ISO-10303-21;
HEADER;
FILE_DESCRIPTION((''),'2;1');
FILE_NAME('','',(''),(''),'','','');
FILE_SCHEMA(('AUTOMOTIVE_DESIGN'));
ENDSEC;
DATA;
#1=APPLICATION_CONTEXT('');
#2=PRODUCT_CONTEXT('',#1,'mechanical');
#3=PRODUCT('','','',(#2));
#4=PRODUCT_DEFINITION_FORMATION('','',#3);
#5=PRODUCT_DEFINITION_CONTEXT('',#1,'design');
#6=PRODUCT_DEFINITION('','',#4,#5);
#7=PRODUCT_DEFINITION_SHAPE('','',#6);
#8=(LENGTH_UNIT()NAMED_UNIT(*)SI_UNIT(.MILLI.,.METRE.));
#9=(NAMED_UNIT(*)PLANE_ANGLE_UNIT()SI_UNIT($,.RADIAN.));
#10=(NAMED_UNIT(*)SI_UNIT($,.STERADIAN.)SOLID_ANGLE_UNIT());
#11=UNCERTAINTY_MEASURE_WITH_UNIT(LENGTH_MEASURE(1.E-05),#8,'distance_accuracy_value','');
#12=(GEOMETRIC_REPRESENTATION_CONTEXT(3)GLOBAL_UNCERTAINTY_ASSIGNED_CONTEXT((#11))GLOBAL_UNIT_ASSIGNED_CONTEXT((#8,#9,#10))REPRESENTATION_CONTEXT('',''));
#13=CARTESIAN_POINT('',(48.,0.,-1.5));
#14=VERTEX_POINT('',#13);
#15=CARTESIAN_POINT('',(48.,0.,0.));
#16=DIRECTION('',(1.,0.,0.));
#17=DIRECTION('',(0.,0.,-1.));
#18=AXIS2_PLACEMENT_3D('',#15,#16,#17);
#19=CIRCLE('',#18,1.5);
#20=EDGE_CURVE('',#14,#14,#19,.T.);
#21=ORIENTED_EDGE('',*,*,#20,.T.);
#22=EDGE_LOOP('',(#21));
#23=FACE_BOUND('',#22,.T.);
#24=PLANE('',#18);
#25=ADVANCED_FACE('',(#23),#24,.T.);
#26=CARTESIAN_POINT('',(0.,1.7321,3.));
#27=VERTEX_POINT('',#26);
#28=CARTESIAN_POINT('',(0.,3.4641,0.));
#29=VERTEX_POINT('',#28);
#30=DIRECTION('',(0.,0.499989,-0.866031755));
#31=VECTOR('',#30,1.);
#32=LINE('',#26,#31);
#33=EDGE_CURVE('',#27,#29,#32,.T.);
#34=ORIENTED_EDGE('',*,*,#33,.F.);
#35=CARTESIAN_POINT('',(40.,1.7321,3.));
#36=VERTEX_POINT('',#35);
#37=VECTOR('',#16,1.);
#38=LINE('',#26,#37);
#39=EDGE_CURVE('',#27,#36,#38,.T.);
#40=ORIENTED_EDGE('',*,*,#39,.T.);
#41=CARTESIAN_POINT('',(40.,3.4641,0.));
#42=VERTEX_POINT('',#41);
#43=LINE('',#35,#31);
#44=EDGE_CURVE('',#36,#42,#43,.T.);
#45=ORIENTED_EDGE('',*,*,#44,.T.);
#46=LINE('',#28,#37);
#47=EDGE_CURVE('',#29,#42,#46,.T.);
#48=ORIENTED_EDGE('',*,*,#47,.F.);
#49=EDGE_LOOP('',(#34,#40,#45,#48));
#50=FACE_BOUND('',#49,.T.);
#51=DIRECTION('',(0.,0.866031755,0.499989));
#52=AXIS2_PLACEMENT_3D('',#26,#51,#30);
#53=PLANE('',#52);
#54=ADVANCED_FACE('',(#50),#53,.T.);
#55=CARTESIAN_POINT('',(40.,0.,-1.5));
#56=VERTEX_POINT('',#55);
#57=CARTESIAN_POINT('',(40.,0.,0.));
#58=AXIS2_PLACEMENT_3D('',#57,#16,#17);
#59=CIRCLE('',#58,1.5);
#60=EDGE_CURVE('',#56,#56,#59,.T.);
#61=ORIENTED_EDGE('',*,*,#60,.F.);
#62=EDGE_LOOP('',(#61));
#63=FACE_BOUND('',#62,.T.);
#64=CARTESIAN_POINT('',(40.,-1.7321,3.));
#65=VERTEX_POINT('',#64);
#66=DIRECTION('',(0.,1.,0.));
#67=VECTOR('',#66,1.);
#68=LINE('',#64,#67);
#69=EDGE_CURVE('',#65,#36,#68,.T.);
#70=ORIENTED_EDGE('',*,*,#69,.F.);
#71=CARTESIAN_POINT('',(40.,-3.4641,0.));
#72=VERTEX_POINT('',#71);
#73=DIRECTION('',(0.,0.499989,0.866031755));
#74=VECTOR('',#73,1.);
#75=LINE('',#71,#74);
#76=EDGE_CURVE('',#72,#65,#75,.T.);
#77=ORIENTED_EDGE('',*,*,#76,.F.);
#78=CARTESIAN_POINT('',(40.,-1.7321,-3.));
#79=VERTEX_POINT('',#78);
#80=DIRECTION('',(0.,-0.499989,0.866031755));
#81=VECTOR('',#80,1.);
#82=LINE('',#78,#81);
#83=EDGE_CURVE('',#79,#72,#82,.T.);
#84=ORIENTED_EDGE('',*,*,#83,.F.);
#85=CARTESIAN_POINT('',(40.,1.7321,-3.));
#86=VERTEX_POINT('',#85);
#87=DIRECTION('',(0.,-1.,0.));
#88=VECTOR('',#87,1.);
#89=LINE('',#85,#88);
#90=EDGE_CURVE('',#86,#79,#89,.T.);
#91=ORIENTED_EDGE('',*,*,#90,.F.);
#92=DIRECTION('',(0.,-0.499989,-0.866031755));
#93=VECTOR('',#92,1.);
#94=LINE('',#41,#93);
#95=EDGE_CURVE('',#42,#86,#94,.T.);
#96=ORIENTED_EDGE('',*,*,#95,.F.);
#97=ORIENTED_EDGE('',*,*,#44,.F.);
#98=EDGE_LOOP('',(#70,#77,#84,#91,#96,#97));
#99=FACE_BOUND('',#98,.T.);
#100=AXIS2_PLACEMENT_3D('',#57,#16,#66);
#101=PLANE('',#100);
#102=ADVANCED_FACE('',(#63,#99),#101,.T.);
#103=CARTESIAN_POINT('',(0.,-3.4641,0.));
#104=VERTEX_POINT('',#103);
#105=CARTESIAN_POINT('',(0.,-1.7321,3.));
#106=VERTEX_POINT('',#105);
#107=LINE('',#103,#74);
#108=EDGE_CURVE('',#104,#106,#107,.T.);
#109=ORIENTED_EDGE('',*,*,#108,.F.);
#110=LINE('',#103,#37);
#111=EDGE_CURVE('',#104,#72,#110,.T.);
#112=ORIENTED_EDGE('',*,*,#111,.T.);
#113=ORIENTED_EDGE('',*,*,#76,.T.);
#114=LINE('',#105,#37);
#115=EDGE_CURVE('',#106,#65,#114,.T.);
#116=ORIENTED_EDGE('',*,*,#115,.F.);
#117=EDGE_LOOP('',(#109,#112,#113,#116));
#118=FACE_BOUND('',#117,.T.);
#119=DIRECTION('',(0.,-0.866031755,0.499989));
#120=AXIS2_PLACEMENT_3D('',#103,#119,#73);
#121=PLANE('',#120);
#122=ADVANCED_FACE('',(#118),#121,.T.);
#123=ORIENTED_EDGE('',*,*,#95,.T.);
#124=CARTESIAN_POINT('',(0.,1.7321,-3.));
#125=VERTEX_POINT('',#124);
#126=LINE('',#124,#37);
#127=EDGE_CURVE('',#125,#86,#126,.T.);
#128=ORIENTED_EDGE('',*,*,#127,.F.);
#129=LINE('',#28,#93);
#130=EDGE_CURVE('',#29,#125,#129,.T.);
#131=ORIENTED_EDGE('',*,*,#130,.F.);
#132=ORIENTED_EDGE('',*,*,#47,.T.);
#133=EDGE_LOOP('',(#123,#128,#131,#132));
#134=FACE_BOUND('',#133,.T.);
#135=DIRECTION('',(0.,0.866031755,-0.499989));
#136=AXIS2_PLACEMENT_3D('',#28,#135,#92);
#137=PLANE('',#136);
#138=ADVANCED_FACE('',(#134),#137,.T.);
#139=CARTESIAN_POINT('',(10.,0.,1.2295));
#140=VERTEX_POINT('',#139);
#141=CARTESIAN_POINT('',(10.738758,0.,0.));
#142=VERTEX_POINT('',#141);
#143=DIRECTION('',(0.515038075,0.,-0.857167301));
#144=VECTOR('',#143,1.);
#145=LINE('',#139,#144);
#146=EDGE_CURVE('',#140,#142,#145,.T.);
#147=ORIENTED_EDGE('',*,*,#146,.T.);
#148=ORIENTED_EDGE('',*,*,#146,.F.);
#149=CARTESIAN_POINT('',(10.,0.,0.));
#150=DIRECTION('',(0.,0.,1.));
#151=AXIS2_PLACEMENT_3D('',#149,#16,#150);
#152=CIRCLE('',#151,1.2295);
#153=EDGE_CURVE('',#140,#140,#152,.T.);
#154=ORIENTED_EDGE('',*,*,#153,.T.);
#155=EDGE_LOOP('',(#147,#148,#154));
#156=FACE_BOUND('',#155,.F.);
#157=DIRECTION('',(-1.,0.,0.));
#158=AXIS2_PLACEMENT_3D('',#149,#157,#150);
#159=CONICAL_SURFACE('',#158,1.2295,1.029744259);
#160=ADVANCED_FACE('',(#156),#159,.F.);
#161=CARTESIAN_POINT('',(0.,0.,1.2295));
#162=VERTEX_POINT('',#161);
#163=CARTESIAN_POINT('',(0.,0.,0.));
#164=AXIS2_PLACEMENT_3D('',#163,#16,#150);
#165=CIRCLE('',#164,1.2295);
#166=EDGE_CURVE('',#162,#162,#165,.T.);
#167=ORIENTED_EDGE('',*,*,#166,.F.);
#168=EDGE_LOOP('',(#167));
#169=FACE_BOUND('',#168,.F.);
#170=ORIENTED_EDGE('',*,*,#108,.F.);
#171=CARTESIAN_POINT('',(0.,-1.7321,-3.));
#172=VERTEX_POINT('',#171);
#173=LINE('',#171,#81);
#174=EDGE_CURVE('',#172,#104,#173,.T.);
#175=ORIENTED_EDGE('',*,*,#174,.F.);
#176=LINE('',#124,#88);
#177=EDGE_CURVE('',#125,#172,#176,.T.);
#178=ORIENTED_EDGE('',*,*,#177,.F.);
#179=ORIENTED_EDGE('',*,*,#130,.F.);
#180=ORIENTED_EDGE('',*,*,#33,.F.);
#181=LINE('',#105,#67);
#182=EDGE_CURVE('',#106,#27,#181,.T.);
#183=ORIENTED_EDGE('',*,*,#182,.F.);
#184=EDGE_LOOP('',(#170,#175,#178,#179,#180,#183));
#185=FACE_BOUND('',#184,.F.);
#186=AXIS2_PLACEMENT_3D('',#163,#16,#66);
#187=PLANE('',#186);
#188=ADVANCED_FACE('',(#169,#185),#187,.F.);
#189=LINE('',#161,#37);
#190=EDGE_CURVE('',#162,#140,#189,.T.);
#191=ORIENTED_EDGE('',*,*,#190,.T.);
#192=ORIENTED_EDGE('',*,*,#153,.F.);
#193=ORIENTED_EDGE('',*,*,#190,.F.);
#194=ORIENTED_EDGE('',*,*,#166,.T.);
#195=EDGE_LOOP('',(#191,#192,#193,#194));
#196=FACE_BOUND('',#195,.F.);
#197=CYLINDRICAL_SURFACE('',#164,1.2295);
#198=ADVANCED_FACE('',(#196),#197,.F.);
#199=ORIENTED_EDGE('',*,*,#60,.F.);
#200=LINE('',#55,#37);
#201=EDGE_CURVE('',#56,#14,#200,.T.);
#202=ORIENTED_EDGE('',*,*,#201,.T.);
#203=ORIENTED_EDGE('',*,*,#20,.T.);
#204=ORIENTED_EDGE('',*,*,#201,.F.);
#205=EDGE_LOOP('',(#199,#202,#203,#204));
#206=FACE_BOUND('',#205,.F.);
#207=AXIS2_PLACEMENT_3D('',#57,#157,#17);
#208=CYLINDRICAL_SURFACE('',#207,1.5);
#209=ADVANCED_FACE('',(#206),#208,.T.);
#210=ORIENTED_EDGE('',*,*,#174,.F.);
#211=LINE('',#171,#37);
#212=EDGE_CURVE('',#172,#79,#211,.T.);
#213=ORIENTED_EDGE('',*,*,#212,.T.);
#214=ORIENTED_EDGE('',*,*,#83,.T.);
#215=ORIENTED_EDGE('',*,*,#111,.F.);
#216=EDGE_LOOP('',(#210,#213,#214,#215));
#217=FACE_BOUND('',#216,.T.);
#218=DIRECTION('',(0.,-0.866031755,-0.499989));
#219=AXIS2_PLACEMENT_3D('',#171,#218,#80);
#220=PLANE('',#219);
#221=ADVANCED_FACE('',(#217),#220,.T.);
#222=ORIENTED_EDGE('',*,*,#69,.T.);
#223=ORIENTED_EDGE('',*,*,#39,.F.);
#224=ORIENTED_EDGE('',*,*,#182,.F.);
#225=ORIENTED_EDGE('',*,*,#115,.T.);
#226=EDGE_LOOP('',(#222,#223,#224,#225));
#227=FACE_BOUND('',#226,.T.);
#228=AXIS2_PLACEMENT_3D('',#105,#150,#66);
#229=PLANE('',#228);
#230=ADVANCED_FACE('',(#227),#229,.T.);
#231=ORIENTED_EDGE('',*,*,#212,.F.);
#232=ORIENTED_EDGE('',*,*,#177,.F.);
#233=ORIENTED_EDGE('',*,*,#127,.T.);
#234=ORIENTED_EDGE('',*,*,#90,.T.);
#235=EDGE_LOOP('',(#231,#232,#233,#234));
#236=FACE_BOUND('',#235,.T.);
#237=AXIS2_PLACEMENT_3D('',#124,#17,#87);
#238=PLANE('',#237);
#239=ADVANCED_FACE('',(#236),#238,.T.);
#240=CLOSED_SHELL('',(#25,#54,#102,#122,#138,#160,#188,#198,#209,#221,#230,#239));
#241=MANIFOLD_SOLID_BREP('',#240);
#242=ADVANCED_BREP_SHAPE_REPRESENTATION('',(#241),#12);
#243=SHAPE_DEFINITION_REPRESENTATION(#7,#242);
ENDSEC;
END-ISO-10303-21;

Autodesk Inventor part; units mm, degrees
ref_plane "YZ Plane" through (0, 0, 0) normal (1, 0, 0) x (0, 1, 0)
ref_plane "XZ Plane" through (0, 0, 0) normal (0, 1, 0) x (-1, 0, 0)
ref_plane "XY Plane" through (0, 0, 0) normal (0, 0, 1) x (1, 0, 0)
sketch "スケッチ1" plane through (0, 0, 0) normal (1, 0, 0) x (0, 1, 0)
  line L0 (1.7321, -3) -> (-1.7321, -3)
  line L1 (-1.7321, -3) -> (-3.4641, 0)
  line L2 (-3.4641, 0) -> (-1.7321, 3)
  line L3 (-1.7321, 3) -> (1.7321, 3)
  line L4 (1.7321, 3) -> (3.4641, 0)
  line L5 (3.4641, 0) -> (1.7321, -3)
  point P0 (0, 0)
  point P1 (0, 0)
  dimension "d0" = 6
extrude "押し出し1" add sketch "スケッチ1" along normal blind 40
sketch "スケッチ2" plane through (40, 0, 0) normal (1, 0, 0) x (0, 0, -1)
  circle A0 centre (0, 0) radius 1.5
  dimension "d3" = 3
extrude "押し出し2" add sketch "スケッチ2" along normal blind 8
thread "ねじ1" size "M3x0.5" class "6g" standard "ANSI Metric M Profile" full length
sketch "スケッチ3" plane through (0, 0, 0) normal (-1, 0, 0) x (0, 0, 1)
  point P0 (0, 0)
  point P1 (0, 0)
hole "穴1" at (0, 0, 0) direction (1, 0, 0) diameter 2.459 depth 10 tip angle 118 thread size "M3x0.5" class "6H" standard "ISO Metric profile"
properties part number "Spacer_M3_L15" material "鋼、合金"
